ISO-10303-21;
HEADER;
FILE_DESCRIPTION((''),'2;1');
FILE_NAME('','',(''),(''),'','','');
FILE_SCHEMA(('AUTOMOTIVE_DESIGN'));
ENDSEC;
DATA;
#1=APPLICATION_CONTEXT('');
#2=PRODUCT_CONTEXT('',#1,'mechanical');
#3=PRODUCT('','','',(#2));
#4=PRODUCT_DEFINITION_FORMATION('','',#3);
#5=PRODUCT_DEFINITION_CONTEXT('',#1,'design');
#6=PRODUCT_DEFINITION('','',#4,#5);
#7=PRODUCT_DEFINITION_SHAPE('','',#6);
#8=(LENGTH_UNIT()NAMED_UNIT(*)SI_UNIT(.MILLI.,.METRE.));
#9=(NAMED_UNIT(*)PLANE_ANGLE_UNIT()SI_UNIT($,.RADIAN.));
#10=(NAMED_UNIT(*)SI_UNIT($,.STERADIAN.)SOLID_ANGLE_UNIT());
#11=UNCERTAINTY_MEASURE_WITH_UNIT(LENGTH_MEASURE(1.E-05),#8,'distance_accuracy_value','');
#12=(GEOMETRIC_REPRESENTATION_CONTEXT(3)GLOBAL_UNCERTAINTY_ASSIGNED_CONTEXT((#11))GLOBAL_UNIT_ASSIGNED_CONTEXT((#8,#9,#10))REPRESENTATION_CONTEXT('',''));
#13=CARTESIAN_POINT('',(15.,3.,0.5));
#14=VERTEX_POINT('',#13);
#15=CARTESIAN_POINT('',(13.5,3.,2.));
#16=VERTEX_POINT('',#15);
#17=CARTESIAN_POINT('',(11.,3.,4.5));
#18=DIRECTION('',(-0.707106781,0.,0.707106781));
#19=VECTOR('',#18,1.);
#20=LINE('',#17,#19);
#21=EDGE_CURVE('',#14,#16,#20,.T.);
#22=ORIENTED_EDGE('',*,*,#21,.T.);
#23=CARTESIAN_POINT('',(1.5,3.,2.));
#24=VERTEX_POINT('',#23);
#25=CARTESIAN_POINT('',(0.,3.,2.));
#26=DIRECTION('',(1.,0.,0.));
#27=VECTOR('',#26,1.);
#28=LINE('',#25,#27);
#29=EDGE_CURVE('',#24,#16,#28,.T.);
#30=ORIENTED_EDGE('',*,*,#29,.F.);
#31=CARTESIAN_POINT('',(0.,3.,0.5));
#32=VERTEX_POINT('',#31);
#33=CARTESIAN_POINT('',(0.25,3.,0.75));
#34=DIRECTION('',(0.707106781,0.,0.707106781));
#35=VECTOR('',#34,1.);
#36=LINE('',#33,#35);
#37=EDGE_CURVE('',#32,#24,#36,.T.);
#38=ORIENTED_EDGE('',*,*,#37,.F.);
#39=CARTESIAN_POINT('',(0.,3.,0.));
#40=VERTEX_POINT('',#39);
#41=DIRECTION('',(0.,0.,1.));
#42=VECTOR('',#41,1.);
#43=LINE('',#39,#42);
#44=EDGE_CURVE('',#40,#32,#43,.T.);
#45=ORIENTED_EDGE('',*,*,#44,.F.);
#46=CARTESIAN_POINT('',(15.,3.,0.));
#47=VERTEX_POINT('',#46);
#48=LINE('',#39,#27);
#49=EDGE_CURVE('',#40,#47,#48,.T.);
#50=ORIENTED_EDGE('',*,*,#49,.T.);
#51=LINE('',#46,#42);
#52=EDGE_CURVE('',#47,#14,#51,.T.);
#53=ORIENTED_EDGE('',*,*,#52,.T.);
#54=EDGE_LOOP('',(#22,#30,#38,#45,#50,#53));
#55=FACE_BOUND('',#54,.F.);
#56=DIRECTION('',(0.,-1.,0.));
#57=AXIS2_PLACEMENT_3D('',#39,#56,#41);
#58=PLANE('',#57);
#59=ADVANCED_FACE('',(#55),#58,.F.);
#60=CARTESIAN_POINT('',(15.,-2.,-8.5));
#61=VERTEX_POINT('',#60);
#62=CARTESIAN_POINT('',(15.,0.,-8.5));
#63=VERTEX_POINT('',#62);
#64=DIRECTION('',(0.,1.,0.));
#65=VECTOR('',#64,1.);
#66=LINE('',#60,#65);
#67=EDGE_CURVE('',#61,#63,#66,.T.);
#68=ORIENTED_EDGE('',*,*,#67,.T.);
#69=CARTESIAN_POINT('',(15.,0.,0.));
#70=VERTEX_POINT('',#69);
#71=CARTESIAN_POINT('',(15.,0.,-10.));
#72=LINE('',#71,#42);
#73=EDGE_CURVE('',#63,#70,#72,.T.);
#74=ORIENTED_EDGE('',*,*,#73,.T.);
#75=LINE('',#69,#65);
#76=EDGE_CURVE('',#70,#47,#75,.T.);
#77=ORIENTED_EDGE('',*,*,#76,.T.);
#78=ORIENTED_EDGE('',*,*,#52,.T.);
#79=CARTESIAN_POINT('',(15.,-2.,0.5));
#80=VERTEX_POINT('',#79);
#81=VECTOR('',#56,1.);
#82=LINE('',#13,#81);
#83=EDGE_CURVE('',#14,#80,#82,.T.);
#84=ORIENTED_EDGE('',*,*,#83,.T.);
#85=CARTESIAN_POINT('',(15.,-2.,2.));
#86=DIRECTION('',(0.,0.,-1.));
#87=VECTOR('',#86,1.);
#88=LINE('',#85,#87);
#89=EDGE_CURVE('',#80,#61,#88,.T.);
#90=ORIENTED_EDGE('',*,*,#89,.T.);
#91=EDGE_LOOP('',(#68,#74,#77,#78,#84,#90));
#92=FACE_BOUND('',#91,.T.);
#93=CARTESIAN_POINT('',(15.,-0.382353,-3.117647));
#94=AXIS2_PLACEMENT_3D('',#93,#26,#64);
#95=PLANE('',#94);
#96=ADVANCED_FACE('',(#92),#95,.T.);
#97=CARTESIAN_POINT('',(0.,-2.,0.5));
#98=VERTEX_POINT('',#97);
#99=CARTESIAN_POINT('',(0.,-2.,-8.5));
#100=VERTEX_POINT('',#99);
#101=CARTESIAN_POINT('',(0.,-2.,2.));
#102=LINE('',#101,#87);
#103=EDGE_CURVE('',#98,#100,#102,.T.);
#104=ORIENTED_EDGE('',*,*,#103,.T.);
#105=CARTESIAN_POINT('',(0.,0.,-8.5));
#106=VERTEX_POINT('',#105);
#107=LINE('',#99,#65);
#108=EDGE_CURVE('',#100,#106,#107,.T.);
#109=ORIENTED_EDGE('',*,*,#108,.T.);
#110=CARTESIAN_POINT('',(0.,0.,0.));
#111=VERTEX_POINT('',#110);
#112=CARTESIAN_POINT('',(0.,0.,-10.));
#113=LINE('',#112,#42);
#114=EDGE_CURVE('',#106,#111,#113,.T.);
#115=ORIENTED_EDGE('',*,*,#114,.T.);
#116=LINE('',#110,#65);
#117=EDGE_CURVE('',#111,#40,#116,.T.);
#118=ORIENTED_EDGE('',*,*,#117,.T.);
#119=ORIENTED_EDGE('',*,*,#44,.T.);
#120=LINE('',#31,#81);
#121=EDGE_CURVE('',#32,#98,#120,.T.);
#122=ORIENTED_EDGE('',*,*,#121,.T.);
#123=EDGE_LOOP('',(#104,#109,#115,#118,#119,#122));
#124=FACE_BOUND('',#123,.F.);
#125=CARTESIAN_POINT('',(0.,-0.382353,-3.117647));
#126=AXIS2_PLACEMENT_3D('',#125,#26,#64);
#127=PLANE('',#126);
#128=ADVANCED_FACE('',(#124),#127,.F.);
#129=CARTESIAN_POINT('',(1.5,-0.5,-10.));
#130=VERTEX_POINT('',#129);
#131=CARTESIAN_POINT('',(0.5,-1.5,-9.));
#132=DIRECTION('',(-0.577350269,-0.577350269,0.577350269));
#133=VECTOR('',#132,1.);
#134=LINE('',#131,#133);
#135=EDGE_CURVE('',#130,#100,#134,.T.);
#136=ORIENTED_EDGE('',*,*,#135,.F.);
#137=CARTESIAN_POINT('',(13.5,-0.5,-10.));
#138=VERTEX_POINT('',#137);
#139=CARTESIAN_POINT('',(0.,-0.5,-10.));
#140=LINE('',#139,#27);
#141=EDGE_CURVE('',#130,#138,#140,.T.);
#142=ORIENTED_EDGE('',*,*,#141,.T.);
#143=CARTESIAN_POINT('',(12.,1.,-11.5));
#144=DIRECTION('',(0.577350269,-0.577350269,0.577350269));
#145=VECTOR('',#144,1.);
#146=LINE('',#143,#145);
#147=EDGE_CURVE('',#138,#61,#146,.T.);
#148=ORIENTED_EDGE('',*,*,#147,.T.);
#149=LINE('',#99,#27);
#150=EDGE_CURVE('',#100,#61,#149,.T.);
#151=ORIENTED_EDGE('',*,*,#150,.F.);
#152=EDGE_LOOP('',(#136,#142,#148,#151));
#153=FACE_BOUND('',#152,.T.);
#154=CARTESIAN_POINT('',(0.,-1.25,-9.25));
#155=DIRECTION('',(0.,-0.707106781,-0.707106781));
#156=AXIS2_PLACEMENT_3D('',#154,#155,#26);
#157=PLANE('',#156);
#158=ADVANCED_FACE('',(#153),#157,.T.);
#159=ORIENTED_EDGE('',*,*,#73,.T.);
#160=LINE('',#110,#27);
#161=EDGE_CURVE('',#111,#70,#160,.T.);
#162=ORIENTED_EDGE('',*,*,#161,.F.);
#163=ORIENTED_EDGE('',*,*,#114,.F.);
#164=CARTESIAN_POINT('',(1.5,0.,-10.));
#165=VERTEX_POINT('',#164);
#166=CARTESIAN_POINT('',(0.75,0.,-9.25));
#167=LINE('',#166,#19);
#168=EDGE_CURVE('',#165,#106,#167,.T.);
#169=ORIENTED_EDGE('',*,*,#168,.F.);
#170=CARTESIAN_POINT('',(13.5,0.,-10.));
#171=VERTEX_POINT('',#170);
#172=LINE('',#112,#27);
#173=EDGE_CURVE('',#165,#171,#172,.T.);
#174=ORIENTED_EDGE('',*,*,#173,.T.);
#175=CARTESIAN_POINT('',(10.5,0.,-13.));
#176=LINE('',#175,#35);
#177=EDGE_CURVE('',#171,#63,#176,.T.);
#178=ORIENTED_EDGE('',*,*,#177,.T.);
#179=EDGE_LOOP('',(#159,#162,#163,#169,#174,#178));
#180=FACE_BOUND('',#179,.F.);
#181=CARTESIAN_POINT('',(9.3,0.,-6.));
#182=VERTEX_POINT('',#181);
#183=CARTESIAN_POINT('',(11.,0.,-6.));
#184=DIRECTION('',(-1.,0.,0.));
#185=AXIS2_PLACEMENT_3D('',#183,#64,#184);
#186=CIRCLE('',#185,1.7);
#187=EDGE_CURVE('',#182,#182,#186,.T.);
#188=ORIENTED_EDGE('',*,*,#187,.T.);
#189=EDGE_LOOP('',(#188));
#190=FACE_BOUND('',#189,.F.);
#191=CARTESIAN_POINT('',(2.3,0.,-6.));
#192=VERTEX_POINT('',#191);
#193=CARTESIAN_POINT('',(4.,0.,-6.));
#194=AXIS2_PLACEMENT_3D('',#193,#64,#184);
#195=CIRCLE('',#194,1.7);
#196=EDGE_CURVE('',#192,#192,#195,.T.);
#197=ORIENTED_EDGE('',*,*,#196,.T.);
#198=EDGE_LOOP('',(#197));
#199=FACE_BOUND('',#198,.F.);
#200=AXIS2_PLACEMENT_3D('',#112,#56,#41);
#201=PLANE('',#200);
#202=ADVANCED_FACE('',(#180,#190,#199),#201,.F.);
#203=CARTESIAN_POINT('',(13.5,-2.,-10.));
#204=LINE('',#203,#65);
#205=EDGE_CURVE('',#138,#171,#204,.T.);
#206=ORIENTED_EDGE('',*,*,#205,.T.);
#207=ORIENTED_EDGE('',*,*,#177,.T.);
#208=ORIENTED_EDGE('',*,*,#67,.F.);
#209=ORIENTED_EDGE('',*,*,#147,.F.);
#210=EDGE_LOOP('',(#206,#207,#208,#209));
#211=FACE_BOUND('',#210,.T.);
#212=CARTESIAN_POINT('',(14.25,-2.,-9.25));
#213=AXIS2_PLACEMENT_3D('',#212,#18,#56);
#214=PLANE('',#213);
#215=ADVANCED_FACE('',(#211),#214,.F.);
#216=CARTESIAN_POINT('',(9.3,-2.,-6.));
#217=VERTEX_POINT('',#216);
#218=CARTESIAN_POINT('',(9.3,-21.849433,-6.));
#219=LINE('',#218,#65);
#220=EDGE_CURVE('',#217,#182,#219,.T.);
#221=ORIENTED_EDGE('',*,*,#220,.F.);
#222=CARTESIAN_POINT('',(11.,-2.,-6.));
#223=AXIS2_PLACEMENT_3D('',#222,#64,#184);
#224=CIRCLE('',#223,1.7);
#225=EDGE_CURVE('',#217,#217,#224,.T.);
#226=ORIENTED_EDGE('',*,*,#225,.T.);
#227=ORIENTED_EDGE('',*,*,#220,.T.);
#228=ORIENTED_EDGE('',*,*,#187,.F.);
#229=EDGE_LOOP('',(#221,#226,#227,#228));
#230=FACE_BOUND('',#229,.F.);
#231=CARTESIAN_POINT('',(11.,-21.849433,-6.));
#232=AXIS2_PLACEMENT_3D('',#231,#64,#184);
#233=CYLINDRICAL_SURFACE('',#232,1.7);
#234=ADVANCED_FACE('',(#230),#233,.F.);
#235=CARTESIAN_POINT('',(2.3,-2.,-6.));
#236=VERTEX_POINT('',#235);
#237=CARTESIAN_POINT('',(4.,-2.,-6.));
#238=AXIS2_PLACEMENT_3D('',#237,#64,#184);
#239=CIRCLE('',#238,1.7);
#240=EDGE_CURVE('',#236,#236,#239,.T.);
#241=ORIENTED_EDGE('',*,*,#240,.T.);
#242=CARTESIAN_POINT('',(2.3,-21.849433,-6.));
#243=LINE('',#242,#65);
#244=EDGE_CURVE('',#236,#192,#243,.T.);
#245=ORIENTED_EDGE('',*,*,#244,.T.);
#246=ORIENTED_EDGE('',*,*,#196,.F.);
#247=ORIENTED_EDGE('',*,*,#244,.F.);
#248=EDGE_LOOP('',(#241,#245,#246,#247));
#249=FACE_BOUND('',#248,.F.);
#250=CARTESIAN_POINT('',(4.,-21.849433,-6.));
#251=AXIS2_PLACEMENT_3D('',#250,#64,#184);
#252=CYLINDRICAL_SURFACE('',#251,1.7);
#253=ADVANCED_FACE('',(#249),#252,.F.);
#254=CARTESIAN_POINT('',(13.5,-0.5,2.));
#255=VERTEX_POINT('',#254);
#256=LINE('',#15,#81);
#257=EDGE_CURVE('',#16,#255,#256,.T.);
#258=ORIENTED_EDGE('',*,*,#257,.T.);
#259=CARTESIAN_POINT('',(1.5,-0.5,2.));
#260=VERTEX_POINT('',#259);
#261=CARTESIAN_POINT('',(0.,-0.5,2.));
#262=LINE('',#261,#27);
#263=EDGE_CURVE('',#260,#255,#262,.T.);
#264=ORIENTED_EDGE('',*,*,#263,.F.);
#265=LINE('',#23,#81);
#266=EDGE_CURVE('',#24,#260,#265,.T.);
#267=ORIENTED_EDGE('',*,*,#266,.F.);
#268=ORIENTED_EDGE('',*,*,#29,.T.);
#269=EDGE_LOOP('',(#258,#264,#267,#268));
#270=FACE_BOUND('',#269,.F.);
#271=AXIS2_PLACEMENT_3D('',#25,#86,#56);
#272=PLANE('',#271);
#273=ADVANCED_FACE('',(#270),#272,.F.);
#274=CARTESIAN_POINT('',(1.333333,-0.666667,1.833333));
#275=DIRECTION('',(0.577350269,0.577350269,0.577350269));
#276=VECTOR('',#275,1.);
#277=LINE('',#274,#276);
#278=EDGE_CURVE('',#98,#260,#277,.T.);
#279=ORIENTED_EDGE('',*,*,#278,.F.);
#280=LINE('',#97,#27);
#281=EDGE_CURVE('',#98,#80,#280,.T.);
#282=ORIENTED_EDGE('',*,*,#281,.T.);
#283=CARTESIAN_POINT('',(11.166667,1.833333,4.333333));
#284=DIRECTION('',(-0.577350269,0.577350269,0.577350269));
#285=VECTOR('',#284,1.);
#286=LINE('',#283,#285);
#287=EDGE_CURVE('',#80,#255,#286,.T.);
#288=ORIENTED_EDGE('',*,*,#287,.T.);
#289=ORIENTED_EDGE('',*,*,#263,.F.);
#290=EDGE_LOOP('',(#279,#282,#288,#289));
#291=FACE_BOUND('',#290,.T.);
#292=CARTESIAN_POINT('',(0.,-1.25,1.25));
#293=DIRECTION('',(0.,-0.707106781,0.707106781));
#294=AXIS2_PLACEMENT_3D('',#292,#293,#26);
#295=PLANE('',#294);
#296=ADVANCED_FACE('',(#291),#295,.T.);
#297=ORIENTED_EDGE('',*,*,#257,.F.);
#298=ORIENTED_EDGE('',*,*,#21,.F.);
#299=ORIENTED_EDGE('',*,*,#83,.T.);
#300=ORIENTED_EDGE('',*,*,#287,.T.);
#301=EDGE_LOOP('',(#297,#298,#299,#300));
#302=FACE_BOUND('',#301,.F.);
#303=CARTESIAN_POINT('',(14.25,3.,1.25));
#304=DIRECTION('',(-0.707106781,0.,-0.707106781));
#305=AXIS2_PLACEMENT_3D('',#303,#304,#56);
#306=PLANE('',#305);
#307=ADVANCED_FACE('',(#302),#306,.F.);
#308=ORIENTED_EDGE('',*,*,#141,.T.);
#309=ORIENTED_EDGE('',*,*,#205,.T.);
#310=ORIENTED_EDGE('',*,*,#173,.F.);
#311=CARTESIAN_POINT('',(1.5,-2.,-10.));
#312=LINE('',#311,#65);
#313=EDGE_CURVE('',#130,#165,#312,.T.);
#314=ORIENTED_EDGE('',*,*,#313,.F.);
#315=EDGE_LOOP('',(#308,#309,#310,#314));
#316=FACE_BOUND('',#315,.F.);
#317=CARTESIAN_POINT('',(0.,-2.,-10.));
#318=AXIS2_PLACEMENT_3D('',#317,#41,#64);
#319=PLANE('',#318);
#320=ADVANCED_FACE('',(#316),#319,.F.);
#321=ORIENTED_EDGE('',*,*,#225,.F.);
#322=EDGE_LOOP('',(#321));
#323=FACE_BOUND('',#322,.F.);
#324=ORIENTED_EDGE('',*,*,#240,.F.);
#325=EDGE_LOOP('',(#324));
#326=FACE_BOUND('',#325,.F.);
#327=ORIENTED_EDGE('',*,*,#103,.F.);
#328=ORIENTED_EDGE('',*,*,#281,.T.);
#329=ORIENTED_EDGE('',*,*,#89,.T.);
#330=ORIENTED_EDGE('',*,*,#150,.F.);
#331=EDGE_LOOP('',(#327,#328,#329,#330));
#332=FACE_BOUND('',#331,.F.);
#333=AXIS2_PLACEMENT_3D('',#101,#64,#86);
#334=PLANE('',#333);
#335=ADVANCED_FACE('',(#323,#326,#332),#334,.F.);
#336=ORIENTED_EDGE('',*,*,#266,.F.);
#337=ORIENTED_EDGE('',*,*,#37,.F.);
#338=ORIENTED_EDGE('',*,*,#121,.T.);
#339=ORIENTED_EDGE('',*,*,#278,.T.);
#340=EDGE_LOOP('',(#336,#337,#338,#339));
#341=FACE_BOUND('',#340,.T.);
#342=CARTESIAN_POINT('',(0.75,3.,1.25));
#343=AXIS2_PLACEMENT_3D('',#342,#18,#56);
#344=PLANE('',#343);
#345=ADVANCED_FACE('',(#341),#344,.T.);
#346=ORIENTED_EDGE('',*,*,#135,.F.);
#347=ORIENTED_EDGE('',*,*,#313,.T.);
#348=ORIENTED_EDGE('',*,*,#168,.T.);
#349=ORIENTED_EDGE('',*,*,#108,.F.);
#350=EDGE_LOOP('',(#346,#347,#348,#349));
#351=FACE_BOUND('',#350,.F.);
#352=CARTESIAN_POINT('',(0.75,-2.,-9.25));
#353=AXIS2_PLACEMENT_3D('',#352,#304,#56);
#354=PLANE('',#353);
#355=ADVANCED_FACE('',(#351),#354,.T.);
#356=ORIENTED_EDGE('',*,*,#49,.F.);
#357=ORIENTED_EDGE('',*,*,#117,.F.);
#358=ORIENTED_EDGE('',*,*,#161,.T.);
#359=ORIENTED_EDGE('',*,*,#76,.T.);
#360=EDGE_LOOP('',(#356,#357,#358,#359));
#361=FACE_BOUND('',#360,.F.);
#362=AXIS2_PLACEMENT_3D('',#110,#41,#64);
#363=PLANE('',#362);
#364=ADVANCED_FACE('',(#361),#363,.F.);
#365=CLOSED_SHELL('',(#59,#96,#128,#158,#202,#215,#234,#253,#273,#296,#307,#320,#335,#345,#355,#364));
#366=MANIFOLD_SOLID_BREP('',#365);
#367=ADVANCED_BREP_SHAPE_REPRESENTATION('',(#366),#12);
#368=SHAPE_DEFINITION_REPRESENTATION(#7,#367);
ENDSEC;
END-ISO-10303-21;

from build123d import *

# Parameters (mm, degrees)
F1_DEPTH = 15
F3_D     = 3.4
F4_SIZE  = 1.5


with BuildPart() as f1:
    # F0 (on Right) → F1 (new body)
    with BuildSketch(Plane.YZ):
        Polygon((0, -10), (0, 0), (3, 0), (3, 2), (-2, 2), (-2, -10), align=None)
    extrude(amount=F1_DEPTH)

    # F3 (through all)
    with Locations(Plane.XZ.offset(2)):
        with Locations((4, -6), (11, -6)):
            Hole(F3_D / 2)

    # F4
    f4_edges = [f1.edges().sort_by_distance(p)[0] for p in [
        (0, 0.5, 2),
        (15, 0.5, 2),
        (0, -1, -10),
        (15, -1, -10),
        (7.5, -2, 2),
        (7.5, -2, -10),
    ]]
    chamfer(f4_edges, length=F4_SIZE)


solid = f1.part
